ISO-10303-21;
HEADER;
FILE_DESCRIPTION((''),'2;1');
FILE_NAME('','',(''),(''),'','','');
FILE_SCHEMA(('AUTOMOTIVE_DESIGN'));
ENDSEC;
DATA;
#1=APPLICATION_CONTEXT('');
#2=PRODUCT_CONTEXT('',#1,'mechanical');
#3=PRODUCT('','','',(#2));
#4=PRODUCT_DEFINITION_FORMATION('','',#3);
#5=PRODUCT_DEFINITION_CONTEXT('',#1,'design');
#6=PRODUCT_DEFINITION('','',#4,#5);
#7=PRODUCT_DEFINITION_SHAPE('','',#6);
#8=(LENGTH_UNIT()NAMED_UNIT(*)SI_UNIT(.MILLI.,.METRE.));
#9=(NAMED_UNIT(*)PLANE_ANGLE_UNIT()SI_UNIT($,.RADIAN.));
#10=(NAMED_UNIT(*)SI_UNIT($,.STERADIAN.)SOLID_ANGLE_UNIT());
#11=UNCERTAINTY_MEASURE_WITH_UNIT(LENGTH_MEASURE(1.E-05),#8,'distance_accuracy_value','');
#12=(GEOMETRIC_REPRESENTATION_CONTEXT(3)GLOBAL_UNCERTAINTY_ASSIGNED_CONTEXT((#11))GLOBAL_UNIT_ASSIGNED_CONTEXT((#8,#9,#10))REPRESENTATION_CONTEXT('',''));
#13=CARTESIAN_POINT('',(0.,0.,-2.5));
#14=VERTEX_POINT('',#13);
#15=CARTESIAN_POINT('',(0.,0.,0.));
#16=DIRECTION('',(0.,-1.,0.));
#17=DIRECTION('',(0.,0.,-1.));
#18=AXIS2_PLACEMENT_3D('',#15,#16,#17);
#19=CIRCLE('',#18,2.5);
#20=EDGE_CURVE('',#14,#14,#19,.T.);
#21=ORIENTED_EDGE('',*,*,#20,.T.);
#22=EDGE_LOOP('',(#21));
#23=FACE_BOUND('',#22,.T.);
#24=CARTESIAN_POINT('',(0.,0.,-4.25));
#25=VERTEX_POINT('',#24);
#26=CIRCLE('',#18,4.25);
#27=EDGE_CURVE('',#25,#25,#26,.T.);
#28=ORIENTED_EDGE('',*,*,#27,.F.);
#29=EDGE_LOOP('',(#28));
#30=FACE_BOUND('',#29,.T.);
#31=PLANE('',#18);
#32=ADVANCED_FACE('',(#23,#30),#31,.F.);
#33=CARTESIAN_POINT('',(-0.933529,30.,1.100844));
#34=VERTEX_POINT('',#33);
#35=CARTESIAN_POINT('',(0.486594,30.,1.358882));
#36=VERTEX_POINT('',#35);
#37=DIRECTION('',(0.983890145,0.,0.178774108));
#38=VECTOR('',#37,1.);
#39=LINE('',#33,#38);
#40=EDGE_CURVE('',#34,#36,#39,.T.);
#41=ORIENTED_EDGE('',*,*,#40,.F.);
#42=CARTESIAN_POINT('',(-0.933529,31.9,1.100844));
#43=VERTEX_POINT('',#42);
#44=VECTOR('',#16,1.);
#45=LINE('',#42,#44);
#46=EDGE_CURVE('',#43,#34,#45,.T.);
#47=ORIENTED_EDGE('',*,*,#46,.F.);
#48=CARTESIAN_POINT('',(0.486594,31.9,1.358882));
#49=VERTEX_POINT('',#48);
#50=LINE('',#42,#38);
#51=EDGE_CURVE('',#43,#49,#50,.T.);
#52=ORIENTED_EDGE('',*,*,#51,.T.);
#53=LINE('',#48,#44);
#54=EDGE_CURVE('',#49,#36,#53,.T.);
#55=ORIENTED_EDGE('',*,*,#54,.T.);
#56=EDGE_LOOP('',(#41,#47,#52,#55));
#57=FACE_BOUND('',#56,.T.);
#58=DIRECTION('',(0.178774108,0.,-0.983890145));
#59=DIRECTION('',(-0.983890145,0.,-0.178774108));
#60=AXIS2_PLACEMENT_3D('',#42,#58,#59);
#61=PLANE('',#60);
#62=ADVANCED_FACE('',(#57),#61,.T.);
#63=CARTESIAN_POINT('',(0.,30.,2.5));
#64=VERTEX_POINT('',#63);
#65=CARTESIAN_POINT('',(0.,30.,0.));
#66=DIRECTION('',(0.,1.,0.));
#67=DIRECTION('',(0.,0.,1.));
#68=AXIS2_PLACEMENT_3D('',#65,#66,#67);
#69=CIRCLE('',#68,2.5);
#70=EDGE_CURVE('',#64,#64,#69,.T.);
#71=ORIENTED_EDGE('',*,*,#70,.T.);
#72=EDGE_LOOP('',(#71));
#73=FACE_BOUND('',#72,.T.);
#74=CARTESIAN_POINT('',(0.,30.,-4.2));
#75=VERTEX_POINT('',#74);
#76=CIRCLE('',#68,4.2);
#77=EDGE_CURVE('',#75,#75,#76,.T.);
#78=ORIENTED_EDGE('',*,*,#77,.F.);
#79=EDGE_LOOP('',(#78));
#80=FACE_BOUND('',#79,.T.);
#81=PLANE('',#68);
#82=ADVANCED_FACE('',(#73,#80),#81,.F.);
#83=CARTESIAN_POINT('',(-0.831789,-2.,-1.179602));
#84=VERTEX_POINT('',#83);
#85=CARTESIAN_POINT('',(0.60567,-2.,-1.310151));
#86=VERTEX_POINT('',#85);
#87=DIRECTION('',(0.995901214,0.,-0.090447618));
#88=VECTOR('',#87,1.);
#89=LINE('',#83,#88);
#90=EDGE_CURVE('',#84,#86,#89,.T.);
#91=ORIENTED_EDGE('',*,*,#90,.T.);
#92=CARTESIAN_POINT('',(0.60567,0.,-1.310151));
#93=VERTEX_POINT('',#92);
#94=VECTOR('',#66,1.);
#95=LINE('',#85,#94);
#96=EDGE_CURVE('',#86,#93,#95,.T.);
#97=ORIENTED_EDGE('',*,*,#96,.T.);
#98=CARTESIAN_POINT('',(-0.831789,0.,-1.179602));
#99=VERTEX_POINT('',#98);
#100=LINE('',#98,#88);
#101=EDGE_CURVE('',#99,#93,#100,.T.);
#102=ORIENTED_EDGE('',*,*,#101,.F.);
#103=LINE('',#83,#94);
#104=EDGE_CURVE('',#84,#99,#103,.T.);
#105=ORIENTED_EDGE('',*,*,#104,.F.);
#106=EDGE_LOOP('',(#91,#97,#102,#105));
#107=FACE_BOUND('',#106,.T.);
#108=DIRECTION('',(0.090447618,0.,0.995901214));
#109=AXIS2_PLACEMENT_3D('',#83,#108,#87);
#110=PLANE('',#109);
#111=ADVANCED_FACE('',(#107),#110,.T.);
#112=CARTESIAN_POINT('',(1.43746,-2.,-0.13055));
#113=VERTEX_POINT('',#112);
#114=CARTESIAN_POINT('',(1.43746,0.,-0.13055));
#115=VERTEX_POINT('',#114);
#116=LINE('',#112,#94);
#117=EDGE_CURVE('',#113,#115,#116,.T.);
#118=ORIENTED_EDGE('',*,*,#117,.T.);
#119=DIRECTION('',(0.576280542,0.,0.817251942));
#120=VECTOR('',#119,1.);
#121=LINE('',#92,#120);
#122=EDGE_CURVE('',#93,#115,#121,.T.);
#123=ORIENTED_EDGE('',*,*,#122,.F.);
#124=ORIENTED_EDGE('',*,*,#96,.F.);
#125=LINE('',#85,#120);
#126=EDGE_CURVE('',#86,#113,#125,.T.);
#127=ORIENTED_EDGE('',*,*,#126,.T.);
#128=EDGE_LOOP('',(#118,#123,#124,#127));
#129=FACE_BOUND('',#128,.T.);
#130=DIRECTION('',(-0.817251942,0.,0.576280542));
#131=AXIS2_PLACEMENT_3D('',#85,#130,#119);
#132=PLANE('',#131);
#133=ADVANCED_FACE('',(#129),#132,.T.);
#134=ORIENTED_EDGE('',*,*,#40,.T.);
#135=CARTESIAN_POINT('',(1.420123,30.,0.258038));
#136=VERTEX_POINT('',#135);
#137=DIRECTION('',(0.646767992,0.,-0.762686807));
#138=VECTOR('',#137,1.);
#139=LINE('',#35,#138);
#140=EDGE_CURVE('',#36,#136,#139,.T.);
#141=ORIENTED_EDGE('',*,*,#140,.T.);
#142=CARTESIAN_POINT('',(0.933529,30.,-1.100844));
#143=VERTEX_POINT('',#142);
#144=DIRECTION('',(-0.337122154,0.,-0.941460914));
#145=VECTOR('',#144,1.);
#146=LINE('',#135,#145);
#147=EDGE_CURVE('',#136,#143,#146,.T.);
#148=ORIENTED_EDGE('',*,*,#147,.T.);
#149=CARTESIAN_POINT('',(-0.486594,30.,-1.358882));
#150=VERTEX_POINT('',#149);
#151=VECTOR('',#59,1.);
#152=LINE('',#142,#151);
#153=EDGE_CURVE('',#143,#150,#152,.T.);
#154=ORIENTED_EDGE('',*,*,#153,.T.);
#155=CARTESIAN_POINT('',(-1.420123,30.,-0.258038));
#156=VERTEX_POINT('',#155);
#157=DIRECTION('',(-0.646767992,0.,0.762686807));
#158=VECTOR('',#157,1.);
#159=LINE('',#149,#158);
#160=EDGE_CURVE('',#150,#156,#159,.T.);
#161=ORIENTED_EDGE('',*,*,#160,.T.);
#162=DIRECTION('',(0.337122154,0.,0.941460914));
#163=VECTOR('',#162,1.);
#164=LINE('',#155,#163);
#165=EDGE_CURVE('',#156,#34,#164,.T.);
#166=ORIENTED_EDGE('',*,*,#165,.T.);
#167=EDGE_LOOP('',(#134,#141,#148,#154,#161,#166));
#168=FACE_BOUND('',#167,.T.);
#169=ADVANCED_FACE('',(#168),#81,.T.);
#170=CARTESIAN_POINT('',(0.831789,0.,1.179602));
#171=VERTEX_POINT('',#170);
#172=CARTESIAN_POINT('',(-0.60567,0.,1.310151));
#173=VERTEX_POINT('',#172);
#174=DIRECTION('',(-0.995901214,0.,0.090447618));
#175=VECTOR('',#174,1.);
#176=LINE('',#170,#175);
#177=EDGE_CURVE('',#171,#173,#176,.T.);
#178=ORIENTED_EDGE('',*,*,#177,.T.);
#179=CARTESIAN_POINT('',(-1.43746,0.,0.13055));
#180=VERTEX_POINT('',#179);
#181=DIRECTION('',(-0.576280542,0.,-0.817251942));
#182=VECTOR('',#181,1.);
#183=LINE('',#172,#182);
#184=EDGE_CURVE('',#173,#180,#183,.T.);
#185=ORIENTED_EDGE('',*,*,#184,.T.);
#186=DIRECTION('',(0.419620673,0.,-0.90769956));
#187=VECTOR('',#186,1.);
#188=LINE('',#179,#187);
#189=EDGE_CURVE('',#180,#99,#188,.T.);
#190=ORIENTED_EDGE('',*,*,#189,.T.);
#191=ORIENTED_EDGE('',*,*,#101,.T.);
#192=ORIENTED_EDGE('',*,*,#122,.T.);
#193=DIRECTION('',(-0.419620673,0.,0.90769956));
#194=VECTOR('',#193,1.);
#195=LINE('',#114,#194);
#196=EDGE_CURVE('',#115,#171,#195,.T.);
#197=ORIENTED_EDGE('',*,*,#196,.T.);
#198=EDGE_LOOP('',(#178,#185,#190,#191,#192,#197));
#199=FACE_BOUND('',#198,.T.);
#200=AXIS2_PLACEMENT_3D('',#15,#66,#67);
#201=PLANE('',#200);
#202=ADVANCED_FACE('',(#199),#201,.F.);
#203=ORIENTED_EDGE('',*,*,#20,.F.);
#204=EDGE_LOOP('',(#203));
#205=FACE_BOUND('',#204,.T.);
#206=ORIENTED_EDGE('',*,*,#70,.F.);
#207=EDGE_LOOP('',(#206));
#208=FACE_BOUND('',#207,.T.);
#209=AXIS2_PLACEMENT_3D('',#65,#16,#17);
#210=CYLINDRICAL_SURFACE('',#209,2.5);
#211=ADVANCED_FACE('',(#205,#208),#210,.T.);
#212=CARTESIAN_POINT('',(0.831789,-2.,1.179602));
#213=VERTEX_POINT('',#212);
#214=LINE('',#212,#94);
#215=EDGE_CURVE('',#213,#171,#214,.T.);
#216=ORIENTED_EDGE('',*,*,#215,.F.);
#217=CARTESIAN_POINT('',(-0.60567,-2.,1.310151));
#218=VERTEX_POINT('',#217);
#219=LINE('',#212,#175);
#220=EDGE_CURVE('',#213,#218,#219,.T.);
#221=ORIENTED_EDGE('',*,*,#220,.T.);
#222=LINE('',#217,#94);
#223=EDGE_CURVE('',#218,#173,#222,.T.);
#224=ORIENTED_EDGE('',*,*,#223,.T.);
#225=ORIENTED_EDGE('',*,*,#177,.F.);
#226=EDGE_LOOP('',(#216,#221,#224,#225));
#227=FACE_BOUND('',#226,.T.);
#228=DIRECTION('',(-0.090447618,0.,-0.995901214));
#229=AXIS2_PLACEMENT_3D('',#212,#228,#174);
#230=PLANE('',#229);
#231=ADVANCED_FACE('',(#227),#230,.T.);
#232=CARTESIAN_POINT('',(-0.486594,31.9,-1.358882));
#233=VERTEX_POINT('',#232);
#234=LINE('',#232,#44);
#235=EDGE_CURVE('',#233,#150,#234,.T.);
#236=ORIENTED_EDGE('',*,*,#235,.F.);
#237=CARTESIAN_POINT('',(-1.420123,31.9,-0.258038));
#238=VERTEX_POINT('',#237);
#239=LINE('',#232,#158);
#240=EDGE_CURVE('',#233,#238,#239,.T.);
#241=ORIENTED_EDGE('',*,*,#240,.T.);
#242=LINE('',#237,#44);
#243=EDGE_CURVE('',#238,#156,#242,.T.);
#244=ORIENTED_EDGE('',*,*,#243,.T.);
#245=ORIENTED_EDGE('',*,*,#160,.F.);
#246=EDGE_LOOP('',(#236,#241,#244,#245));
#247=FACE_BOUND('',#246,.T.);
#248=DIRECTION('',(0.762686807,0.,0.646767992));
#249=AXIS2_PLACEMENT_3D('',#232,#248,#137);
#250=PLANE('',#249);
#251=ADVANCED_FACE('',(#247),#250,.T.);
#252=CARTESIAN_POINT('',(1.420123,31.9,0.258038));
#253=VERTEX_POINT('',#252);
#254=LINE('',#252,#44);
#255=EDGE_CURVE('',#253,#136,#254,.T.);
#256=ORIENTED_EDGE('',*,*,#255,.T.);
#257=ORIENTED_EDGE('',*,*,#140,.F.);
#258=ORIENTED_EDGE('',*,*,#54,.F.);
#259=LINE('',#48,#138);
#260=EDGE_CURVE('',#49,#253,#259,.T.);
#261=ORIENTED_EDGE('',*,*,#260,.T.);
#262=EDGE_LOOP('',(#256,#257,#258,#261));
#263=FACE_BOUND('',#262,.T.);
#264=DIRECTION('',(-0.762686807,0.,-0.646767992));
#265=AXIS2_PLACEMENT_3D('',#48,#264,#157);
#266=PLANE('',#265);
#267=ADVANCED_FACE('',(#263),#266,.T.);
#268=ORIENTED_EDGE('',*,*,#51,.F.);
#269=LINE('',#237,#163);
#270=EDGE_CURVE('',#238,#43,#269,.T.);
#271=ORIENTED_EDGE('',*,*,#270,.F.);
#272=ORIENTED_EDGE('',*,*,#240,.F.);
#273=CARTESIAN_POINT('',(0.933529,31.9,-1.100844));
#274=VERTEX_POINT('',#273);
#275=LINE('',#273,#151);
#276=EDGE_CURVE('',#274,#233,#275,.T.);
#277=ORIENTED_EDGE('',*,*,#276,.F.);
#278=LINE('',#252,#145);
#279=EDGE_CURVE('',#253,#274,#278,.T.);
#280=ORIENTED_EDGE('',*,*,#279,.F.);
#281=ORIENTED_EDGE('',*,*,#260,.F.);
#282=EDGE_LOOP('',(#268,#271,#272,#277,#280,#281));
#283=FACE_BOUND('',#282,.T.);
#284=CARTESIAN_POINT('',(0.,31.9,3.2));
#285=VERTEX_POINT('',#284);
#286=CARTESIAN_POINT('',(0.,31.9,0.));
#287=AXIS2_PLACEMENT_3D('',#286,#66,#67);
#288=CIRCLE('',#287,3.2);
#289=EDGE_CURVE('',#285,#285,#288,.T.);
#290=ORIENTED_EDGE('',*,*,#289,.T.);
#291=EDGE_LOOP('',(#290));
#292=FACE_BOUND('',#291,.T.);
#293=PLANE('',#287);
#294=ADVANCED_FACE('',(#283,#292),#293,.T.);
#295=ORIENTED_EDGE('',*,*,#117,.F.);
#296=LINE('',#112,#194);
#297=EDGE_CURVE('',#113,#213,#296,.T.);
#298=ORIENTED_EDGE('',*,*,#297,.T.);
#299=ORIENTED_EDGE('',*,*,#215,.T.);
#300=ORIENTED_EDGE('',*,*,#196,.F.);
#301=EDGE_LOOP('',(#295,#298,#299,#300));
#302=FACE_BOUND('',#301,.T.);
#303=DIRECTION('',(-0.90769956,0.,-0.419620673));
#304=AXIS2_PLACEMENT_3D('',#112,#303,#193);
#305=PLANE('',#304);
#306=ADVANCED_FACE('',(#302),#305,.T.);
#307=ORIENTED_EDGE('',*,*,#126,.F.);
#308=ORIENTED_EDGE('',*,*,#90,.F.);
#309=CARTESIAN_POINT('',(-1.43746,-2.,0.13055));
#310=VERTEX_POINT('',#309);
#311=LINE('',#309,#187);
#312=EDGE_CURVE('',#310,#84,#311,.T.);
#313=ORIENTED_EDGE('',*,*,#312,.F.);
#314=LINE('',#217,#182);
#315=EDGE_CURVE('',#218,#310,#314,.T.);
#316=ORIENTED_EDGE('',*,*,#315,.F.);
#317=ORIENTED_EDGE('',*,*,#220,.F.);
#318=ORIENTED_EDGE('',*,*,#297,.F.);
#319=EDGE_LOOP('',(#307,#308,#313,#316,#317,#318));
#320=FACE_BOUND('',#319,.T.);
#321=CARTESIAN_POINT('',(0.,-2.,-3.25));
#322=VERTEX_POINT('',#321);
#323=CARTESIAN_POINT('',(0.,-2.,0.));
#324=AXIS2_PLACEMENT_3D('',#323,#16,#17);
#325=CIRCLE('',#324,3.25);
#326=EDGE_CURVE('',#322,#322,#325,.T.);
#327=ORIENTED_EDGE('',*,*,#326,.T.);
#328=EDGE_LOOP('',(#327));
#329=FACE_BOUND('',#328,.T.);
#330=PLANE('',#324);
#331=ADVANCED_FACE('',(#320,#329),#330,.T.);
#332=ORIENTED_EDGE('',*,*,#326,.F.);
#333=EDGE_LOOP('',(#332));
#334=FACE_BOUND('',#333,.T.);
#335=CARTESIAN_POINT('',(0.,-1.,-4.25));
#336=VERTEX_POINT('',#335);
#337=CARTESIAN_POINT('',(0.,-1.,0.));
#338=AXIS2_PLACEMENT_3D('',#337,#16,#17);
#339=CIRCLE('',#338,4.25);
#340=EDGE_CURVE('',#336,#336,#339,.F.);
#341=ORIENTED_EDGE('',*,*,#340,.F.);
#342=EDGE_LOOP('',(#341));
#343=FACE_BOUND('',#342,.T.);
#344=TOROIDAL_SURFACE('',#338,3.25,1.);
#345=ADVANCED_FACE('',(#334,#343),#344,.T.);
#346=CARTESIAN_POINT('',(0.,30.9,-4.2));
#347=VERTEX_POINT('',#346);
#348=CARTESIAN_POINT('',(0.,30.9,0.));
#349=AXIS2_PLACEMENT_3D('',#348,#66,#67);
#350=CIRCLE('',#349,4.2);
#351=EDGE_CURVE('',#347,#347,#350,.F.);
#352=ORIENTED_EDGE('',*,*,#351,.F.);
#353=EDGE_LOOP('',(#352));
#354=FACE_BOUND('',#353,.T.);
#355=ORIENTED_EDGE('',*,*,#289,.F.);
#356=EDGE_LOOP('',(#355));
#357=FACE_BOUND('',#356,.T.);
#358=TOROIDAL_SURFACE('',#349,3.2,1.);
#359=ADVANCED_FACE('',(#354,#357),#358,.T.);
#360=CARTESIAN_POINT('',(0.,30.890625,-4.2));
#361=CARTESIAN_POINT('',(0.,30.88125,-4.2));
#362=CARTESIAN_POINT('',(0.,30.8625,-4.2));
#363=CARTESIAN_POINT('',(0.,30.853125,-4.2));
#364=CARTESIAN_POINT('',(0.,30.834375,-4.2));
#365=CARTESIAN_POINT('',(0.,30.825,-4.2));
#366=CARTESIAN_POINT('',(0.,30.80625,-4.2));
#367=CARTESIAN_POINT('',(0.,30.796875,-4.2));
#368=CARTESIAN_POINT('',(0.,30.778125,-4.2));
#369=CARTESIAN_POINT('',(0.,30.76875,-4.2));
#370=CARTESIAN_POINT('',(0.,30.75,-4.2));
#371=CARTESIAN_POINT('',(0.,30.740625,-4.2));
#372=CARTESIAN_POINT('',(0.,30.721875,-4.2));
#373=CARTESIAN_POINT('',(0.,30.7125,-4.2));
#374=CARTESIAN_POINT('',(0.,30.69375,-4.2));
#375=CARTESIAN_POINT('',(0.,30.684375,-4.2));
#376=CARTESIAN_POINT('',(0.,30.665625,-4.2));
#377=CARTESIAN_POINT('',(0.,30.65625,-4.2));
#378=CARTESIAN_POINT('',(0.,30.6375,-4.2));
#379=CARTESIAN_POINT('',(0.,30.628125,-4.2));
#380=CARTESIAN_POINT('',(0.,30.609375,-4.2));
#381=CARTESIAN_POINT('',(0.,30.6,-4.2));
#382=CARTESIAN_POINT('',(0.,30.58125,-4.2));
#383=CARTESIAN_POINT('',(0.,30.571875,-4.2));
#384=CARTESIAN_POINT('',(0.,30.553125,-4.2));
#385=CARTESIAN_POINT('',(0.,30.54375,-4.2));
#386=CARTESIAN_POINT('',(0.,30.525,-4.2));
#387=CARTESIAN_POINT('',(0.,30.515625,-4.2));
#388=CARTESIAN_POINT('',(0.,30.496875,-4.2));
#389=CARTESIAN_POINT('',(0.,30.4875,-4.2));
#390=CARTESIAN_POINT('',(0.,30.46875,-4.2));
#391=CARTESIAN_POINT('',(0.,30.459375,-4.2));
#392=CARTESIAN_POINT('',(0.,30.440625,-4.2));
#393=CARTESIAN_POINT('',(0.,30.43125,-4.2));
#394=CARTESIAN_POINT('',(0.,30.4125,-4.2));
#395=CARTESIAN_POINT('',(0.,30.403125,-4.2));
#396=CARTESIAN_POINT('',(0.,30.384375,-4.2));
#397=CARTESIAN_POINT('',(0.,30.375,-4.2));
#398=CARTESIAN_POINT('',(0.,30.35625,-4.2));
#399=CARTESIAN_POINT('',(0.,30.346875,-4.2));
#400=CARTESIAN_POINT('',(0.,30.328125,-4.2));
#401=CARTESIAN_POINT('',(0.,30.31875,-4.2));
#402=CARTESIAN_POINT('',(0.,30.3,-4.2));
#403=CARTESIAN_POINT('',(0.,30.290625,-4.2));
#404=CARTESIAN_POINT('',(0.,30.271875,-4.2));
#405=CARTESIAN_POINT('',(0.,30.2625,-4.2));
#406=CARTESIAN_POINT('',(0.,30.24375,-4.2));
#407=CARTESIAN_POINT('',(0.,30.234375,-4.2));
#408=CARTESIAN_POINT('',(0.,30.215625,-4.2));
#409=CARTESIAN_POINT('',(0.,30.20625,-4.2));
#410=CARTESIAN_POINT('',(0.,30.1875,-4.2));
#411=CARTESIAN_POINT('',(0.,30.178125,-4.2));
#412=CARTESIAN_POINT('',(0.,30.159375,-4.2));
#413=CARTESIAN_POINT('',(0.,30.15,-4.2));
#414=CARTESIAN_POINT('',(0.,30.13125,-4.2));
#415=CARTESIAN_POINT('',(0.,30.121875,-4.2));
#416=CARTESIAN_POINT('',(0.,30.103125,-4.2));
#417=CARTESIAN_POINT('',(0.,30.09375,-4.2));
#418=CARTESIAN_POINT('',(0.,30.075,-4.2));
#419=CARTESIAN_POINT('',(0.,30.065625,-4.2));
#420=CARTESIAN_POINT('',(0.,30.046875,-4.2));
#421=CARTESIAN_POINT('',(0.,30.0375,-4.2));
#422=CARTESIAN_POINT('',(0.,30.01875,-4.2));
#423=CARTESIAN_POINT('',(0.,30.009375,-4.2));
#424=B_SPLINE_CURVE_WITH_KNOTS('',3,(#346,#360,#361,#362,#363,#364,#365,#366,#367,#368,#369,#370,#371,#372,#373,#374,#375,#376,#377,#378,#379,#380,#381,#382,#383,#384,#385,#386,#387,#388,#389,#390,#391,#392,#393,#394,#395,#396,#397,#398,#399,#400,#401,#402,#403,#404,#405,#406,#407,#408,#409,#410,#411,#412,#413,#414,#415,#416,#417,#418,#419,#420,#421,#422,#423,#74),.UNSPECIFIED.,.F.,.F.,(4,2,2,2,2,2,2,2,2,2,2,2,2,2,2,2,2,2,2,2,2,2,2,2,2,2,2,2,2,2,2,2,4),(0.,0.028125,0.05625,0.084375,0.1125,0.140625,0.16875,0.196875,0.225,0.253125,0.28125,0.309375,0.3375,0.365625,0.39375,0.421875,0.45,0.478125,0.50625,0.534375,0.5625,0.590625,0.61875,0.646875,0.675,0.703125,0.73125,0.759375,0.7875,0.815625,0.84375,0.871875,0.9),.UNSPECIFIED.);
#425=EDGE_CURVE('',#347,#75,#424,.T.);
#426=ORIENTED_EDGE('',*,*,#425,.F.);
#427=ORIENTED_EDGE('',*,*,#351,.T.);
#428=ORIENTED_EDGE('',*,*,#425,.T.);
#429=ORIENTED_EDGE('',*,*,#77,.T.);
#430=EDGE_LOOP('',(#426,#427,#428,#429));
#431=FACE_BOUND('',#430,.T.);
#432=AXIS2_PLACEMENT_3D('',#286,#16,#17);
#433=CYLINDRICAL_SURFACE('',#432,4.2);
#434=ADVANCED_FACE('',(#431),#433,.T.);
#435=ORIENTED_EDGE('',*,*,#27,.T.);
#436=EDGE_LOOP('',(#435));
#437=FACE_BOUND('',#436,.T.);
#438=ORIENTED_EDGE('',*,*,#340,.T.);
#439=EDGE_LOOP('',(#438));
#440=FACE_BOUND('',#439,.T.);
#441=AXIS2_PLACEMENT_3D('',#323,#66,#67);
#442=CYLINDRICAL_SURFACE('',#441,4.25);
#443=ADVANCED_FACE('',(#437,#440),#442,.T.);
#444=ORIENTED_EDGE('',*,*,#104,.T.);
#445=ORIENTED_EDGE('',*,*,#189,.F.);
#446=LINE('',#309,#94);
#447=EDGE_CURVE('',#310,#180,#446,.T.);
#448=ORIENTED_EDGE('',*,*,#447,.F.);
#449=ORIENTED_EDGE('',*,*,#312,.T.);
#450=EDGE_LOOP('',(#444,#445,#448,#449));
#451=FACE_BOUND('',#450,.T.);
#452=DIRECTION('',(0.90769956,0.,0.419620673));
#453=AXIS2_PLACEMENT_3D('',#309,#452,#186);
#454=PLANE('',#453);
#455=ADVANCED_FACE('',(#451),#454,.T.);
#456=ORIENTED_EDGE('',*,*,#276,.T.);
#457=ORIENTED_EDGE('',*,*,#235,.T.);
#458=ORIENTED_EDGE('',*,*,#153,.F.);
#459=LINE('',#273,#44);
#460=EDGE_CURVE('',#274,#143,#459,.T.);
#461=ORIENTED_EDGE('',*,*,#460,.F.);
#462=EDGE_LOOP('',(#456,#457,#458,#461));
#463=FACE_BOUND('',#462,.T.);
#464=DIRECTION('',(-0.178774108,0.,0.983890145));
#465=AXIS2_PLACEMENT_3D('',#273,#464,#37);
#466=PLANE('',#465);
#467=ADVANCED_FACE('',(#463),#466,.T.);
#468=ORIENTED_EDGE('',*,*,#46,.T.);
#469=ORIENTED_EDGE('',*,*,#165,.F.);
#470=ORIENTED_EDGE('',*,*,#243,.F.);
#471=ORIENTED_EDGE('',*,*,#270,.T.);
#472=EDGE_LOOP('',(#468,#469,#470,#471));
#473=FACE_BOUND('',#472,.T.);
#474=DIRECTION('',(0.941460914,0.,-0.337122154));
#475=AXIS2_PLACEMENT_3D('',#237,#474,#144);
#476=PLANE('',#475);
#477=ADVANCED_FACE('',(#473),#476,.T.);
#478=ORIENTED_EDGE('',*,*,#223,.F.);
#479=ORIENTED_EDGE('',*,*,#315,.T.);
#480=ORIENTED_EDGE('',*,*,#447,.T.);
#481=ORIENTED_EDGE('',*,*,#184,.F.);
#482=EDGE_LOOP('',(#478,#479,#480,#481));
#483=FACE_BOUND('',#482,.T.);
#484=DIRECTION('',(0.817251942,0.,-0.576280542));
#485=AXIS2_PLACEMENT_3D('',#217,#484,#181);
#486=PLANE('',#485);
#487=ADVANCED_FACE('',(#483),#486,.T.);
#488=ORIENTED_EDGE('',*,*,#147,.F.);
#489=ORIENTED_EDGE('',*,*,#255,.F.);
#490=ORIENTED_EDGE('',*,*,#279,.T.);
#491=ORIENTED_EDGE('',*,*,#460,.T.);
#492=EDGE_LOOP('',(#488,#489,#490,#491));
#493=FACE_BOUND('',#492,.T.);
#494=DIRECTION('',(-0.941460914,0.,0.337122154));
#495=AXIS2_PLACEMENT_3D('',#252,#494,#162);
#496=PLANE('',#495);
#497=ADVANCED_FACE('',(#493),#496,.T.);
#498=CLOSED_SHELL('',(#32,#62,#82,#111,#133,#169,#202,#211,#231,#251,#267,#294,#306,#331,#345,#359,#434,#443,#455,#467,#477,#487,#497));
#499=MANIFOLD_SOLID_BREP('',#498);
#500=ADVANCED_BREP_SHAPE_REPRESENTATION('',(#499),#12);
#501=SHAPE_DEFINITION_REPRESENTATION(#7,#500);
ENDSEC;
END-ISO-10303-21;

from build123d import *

# Parameters (mm, degrees)
SKETCH_1_R      = 2.5
EXTRUDE_1_DEPTH = 30
SKETCH_2_R      = 4.2
EXTRUDE_2_DEPTH = 1.9
SKETCH_3_R      = 4.25
EXTRUDE_3_DEPTH = 2
FILLET_1_R      = 1


with BuildPart() as part:
    # 草图1 → 凸台-拉伸1 (new body)
    with BuildSketch(Plane(origin=(0, 0, 0), x_dir=(1, 0, 0), z_dir=(0, 1, 0))):
        with Locations(Location((0, 0, 0), (0, 0, 270))):
            Circle(SKETCH_1_R)
    extrude(amount=EXTRUDE_1_DEPTH)

    # 草图2 → 凸台-拉伸2 (add)
    with BuildSketch(Plane(origin=(0, 30, 0), x_dir=(1, 0, 0), z_dir=(0, 1, 0))):
        with Locations(Location((0, 0, 0), (0, 0, 90))):
            Circle(SKETCH_2_R)
        Polygon((0.933529185, 1.100843583), (-0.486593916, 1.358881781), (-1.420123101, 0.258038198), (-0.933529185, -1.100843583), (0.486593916, -1.358881781), (1.420123101, -0.258038198), align=None, mode=Mode.SUBTRACT)
    extrude(amount=EXTRUDE_2_DEPTH)

    # 草图3 → 凸台-拉伸3 (add)
    with BuildSketch(Plane.XZ):
        with Locations(Location((0, 0, 0), (0, 0, 270))):
            Circle(SKETCH_3_R)
        Polygon((0.831789315, 1.179601572), (-0.605670271, 1.310151463), (-1.437459585, 0.130549891), (-0.831789315, -1.179601572), (0.605670271, -1.310151463), (1.437459585, -0.130549891), align=None, mode=Mode.SUBTRACT)
    extrude(amount=EXTRUDE_3_DEPTH)

    # 圆角1
    fillet_1_edges = [part.edges().sort_by_distance(p)[0] for p in [
        (0, 31.9, 4.2),
        (0, -2, 4.25),
    ]]
    fillet(fillet_1_edges, radius=FILLET_1_R)


solid = part.part
